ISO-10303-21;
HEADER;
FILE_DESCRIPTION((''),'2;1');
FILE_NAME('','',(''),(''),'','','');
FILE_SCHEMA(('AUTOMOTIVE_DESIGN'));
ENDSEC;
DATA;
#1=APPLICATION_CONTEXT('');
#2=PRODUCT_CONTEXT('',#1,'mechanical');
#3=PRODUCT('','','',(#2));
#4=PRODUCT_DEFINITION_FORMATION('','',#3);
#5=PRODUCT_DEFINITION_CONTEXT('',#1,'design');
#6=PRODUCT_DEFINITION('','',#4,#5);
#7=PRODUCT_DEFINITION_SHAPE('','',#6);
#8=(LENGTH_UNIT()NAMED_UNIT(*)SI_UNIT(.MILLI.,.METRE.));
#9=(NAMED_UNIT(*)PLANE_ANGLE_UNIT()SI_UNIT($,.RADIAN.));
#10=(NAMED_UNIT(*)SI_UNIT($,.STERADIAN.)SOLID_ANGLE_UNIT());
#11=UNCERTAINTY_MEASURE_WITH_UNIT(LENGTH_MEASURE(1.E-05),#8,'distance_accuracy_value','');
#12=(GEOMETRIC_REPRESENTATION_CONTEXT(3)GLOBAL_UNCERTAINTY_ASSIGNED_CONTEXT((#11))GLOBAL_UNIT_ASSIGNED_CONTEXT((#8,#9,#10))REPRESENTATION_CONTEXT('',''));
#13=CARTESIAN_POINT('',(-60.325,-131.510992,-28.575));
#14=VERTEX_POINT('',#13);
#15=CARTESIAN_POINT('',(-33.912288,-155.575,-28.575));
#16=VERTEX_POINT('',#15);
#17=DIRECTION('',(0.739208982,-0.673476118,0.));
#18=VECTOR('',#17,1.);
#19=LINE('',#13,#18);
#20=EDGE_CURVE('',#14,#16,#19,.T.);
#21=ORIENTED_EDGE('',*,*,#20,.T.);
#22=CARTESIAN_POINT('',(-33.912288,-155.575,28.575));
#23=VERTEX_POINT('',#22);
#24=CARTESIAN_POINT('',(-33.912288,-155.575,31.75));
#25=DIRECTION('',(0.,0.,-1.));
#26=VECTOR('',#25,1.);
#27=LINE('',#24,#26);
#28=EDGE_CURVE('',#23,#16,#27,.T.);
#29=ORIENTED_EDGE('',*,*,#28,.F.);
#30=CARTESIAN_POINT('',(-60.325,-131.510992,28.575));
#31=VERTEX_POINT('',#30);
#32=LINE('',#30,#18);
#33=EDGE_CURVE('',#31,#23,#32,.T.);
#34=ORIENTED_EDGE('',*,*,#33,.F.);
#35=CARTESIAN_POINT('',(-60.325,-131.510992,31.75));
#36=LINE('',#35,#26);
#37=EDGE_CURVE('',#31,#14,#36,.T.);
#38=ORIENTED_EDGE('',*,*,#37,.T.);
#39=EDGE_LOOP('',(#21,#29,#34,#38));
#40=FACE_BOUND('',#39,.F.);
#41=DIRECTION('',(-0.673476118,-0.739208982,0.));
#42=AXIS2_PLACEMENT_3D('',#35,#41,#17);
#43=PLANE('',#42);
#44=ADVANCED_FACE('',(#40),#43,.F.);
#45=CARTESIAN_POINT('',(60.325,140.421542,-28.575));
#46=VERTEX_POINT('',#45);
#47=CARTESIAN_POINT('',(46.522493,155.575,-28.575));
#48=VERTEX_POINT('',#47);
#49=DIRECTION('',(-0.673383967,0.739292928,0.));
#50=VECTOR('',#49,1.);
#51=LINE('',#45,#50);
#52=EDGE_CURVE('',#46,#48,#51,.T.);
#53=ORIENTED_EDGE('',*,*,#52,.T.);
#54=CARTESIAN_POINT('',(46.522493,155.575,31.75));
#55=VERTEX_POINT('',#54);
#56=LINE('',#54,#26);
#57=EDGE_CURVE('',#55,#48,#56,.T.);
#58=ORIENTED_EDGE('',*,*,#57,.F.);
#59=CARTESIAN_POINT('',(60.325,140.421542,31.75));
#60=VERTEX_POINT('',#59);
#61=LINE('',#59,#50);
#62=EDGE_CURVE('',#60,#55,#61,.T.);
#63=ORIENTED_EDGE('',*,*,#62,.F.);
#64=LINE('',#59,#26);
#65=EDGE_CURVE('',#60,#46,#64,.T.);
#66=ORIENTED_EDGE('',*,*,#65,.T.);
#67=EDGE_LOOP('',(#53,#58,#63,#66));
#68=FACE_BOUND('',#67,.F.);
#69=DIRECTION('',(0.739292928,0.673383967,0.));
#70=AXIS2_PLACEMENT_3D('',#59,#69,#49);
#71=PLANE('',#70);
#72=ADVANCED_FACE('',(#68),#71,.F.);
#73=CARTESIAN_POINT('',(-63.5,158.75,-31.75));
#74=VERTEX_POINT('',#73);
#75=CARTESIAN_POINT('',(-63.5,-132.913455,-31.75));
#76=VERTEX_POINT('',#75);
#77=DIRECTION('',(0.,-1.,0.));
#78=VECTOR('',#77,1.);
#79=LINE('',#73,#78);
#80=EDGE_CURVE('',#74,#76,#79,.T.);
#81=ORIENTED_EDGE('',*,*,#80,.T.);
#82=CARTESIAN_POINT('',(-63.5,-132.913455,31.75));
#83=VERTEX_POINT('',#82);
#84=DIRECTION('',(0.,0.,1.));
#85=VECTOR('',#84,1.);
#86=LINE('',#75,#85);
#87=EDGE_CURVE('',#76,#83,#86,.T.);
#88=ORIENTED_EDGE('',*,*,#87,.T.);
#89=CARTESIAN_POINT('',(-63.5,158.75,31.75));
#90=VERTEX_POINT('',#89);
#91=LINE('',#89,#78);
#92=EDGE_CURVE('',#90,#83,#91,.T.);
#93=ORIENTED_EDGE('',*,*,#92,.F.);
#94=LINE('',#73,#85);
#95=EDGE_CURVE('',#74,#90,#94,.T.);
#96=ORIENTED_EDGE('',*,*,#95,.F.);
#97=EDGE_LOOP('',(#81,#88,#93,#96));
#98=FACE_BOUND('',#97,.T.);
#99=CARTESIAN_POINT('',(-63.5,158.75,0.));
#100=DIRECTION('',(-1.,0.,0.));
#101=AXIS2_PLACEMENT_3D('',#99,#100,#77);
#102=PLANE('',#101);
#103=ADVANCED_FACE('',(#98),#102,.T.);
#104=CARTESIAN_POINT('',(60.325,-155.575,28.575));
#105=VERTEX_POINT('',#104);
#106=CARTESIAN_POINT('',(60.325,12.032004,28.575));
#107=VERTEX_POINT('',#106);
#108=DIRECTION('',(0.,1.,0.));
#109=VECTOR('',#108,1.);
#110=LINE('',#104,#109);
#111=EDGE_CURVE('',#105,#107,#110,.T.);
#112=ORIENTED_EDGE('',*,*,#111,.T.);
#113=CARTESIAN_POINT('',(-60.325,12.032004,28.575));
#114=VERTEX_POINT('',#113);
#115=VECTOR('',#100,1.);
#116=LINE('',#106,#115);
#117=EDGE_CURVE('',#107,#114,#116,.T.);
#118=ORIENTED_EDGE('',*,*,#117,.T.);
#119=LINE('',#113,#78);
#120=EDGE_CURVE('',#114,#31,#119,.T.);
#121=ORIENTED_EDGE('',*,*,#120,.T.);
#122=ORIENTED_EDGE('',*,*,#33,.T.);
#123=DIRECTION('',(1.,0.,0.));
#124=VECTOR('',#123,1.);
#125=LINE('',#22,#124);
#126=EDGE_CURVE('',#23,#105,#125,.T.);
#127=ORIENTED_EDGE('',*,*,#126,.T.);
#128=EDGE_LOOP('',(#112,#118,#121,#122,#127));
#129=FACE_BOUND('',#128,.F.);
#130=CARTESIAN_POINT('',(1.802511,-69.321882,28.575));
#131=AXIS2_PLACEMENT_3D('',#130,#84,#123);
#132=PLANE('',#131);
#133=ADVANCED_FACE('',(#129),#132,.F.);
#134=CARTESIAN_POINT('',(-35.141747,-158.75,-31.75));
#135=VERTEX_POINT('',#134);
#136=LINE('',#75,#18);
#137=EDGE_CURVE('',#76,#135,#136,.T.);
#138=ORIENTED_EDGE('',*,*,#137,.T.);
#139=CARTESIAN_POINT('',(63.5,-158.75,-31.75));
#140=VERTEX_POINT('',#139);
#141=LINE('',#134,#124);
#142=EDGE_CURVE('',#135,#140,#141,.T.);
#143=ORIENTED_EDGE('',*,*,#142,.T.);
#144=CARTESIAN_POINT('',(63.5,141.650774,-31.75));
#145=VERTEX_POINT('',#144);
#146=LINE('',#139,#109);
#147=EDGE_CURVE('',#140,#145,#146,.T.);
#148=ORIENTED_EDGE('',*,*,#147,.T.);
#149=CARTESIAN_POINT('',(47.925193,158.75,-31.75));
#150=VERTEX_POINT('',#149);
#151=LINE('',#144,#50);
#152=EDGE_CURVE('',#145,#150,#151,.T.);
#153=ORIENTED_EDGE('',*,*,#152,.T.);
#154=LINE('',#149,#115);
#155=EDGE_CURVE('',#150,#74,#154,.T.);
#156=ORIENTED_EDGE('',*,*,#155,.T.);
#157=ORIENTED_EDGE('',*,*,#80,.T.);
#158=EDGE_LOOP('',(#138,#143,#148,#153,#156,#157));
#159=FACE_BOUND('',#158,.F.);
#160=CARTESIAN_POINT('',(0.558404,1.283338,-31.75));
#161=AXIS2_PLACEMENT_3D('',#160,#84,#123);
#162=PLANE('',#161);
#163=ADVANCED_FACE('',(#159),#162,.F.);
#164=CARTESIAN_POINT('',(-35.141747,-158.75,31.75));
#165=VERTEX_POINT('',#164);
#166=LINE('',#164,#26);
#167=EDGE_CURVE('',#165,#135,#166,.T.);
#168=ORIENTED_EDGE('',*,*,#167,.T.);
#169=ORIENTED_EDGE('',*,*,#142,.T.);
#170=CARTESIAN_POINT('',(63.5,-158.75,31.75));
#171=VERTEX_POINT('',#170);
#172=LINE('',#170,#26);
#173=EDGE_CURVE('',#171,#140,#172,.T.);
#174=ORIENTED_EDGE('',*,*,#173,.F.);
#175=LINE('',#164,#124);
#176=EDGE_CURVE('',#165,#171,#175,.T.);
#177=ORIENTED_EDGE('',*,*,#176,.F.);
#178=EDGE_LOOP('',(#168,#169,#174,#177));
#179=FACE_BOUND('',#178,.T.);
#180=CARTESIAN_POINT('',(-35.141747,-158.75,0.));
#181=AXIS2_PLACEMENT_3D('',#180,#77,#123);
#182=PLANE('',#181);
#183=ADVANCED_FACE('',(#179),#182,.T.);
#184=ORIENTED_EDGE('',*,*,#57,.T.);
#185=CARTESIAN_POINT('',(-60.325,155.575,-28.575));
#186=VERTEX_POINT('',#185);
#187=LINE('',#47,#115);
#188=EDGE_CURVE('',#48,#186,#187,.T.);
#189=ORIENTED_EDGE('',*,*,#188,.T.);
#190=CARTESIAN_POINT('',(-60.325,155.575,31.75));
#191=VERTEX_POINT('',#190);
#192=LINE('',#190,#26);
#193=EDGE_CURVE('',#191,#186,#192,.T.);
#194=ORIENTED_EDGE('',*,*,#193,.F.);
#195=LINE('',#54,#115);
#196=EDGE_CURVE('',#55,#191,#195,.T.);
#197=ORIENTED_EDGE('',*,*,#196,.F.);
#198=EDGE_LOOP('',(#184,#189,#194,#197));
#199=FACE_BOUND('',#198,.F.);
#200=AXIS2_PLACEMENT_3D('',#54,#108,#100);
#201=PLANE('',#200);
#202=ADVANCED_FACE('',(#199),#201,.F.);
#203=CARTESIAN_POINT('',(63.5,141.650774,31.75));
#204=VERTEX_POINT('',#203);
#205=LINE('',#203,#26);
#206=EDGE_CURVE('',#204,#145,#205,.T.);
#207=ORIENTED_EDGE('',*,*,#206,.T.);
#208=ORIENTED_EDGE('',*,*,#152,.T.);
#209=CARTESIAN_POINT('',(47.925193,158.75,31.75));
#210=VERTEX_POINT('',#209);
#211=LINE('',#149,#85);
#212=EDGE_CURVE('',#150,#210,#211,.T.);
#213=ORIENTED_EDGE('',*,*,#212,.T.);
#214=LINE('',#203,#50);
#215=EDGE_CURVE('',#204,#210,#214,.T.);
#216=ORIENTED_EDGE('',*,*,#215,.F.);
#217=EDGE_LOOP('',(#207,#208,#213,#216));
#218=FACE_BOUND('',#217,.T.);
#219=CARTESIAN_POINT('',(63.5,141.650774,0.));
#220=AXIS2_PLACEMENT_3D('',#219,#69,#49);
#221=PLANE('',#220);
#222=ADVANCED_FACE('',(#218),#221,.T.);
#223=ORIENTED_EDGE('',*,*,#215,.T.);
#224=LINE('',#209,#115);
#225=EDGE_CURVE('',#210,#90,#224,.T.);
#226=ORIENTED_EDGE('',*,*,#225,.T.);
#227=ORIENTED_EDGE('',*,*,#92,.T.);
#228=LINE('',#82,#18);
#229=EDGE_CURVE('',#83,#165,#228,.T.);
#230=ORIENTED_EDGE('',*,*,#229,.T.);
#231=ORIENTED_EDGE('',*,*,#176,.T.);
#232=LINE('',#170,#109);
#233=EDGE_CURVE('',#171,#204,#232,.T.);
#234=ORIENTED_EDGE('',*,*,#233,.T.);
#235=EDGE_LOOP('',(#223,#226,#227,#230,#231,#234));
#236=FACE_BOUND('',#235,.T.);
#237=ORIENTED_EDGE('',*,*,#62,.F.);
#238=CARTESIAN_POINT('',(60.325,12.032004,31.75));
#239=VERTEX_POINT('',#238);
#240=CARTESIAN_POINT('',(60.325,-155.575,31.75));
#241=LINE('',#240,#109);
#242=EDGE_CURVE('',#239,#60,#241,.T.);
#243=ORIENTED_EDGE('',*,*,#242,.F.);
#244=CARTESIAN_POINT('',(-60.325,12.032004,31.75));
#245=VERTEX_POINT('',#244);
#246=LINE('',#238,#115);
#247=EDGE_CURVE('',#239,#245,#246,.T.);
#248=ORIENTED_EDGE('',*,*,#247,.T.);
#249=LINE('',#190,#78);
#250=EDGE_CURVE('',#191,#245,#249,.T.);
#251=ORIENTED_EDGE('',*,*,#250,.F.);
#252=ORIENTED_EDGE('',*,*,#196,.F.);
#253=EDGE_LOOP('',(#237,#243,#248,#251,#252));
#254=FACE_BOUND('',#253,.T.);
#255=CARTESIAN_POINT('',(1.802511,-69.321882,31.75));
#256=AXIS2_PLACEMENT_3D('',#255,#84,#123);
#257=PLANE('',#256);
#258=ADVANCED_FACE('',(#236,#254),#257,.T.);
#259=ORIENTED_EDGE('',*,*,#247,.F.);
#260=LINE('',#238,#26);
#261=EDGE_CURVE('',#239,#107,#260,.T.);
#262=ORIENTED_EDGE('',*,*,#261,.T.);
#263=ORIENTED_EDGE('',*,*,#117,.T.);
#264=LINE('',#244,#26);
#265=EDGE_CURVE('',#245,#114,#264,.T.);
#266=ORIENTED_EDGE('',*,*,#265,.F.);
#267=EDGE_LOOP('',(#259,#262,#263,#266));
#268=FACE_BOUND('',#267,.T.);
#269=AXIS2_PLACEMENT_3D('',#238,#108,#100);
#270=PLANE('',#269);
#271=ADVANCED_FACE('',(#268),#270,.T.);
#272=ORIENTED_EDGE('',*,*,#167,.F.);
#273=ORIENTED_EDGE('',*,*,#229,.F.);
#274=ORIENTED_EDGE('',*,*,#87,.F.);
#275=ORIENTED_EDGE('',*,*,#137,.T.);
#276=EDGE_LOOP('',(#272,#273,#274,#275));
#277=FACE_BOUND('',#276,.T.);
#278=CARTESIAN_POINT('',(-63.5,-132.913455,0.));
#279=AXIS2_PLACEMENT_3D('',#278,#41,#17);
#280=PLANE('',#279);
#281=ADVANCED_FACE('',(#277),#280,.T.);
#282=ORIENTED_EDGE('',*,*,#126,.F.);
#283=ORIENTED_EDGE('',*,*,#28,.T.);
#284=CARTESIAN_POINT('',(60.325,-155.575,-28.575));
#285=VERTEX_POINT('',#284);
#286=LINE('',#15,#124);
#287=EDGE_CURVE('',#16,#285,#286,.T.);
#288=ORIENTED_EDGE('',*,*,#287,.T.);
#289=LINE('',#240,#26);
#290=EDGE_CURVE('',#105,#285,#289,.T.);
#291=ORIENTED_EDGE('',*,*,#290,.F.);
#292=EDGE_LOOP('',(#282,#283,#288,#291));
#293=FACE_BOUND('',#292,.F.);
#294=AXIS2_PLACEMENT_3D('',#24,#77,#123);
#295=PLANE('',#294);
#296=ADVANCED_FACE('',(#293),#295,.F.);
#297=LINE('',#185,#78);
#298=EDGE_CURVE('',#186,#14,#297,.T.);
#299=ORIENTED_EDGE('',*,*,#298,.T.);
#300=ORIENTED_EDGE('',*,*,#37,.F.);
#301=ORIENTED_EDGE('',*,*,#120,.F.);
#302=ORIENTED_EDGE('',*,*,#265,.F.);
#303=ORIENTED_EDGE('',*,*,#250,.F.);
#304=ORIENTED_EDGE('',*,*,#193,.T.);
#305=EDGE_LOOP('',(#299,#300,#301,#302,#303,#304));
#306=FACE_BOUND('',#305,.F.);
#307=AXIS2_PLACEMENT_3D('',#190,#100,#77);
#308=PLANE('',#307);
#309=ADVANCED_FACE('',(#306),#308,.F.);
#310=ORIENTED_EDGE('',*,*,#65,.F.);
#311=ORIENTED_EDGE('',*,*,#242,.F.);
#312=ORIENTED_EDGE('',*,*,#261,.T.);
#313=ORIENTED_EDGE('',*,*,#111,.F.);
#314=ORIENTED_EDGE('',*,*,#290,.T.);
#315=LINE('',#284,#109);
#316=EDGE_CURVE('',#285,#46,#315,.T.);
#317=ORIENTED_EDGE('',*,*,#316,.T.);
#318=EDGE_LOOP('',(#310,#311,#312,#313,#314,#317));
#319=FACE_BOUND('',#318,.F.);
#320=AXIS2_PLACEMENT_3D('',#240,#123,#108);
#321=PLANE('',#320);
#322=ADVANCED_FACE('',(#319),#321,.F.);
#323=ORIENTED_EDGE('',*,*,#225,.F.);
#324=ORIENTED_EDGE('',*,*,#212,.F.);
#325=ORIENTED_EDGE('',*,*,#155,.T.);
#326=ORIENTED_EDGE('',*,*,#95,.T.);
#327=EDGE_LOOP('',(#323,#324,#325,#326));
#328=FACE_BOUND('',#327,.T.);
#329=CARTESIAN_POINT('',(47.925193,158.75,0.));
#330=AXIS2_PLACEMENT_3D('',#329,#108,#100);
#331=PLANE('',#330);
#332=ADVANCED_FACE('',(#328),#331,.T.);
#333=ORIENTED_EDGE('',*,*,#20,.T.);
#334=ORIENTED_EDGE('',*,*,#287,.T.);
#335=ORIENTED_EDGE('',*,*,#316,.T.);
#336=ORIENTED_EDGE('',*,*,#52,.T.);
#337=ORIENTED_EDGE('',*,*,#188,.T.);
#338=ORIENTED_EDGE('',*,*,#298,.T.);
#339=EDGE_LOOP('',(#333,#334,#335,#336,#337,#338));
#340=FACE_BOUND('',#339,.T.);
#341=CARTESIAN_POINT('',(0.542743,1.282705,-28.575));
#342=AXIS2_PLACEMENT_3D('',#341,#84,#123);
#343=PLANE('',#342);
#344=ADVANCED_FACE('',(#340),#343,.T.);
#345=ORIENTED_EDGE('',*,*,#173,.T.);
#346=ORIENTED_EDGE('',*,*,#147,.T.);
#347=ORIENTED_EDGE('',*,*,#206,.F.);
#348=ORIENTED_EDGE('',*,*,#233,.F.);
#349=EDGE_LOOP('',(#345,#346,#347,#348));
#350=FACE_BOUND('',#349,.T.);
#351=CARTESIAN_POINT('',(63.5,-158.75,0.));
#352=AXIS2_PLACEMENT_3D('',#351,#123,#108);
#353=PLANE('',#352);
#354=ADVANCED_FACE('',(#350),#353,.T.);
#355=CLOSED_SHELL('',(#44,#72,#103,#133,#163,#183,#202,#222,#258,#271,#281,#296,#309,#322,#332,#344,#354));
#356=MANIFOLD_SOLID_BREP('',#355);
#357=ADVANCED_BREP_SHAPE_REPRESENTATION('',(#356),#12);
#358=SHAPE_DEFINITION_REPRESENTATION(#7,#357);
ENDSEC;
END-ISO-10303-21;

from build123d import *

# Parameters (mm, degrees)
F1_DEPTH = 31.75
F3_DEPTH = 60.325
F5_DEPTH = 3.175


with BuildPart() as f1:
    # F0 (on Top) → F1 (new body, symmetric)
    with BuildSketch(Plane.XY):
        Polygon((63.5, 141.6507737828), (47.9251928627, 158.75), (-63.5, 158.75), (-63.5, -132.9134553671), (-35.1417474449, -158.75), (63.5, -158.75), align=None)
    extrude(amount=F1_DEPTH, both=True)

    # F2 (on face) → F3 (cut)
    with BuildSketch(Plane.XY.offset(31.75)):
        Polygon((-60.325, -131.5109922598), (-33.9122881347, -155.575), (60.325, -155.575), (60.325, 140.4215420307), (46.5224932469, 155.575), (-60.325, 155.575), align=None)
    extrude(amount=-F3_DEPTH, mode=Mode.SUBTRACT)

    # F4 (on face) → F5 (join)
    with BuildSketch(Plane.XY.offset(31.75)):
        Polygon((60.325, 12.0320038701), (-60.325, 12.0320038701), (-60.325, -131.5109922598), (-33.9122881347, -155.575), (60.325, -155.575), align=None)
    extrude(amount=-F5_DEPTH)


solid = f1.part
